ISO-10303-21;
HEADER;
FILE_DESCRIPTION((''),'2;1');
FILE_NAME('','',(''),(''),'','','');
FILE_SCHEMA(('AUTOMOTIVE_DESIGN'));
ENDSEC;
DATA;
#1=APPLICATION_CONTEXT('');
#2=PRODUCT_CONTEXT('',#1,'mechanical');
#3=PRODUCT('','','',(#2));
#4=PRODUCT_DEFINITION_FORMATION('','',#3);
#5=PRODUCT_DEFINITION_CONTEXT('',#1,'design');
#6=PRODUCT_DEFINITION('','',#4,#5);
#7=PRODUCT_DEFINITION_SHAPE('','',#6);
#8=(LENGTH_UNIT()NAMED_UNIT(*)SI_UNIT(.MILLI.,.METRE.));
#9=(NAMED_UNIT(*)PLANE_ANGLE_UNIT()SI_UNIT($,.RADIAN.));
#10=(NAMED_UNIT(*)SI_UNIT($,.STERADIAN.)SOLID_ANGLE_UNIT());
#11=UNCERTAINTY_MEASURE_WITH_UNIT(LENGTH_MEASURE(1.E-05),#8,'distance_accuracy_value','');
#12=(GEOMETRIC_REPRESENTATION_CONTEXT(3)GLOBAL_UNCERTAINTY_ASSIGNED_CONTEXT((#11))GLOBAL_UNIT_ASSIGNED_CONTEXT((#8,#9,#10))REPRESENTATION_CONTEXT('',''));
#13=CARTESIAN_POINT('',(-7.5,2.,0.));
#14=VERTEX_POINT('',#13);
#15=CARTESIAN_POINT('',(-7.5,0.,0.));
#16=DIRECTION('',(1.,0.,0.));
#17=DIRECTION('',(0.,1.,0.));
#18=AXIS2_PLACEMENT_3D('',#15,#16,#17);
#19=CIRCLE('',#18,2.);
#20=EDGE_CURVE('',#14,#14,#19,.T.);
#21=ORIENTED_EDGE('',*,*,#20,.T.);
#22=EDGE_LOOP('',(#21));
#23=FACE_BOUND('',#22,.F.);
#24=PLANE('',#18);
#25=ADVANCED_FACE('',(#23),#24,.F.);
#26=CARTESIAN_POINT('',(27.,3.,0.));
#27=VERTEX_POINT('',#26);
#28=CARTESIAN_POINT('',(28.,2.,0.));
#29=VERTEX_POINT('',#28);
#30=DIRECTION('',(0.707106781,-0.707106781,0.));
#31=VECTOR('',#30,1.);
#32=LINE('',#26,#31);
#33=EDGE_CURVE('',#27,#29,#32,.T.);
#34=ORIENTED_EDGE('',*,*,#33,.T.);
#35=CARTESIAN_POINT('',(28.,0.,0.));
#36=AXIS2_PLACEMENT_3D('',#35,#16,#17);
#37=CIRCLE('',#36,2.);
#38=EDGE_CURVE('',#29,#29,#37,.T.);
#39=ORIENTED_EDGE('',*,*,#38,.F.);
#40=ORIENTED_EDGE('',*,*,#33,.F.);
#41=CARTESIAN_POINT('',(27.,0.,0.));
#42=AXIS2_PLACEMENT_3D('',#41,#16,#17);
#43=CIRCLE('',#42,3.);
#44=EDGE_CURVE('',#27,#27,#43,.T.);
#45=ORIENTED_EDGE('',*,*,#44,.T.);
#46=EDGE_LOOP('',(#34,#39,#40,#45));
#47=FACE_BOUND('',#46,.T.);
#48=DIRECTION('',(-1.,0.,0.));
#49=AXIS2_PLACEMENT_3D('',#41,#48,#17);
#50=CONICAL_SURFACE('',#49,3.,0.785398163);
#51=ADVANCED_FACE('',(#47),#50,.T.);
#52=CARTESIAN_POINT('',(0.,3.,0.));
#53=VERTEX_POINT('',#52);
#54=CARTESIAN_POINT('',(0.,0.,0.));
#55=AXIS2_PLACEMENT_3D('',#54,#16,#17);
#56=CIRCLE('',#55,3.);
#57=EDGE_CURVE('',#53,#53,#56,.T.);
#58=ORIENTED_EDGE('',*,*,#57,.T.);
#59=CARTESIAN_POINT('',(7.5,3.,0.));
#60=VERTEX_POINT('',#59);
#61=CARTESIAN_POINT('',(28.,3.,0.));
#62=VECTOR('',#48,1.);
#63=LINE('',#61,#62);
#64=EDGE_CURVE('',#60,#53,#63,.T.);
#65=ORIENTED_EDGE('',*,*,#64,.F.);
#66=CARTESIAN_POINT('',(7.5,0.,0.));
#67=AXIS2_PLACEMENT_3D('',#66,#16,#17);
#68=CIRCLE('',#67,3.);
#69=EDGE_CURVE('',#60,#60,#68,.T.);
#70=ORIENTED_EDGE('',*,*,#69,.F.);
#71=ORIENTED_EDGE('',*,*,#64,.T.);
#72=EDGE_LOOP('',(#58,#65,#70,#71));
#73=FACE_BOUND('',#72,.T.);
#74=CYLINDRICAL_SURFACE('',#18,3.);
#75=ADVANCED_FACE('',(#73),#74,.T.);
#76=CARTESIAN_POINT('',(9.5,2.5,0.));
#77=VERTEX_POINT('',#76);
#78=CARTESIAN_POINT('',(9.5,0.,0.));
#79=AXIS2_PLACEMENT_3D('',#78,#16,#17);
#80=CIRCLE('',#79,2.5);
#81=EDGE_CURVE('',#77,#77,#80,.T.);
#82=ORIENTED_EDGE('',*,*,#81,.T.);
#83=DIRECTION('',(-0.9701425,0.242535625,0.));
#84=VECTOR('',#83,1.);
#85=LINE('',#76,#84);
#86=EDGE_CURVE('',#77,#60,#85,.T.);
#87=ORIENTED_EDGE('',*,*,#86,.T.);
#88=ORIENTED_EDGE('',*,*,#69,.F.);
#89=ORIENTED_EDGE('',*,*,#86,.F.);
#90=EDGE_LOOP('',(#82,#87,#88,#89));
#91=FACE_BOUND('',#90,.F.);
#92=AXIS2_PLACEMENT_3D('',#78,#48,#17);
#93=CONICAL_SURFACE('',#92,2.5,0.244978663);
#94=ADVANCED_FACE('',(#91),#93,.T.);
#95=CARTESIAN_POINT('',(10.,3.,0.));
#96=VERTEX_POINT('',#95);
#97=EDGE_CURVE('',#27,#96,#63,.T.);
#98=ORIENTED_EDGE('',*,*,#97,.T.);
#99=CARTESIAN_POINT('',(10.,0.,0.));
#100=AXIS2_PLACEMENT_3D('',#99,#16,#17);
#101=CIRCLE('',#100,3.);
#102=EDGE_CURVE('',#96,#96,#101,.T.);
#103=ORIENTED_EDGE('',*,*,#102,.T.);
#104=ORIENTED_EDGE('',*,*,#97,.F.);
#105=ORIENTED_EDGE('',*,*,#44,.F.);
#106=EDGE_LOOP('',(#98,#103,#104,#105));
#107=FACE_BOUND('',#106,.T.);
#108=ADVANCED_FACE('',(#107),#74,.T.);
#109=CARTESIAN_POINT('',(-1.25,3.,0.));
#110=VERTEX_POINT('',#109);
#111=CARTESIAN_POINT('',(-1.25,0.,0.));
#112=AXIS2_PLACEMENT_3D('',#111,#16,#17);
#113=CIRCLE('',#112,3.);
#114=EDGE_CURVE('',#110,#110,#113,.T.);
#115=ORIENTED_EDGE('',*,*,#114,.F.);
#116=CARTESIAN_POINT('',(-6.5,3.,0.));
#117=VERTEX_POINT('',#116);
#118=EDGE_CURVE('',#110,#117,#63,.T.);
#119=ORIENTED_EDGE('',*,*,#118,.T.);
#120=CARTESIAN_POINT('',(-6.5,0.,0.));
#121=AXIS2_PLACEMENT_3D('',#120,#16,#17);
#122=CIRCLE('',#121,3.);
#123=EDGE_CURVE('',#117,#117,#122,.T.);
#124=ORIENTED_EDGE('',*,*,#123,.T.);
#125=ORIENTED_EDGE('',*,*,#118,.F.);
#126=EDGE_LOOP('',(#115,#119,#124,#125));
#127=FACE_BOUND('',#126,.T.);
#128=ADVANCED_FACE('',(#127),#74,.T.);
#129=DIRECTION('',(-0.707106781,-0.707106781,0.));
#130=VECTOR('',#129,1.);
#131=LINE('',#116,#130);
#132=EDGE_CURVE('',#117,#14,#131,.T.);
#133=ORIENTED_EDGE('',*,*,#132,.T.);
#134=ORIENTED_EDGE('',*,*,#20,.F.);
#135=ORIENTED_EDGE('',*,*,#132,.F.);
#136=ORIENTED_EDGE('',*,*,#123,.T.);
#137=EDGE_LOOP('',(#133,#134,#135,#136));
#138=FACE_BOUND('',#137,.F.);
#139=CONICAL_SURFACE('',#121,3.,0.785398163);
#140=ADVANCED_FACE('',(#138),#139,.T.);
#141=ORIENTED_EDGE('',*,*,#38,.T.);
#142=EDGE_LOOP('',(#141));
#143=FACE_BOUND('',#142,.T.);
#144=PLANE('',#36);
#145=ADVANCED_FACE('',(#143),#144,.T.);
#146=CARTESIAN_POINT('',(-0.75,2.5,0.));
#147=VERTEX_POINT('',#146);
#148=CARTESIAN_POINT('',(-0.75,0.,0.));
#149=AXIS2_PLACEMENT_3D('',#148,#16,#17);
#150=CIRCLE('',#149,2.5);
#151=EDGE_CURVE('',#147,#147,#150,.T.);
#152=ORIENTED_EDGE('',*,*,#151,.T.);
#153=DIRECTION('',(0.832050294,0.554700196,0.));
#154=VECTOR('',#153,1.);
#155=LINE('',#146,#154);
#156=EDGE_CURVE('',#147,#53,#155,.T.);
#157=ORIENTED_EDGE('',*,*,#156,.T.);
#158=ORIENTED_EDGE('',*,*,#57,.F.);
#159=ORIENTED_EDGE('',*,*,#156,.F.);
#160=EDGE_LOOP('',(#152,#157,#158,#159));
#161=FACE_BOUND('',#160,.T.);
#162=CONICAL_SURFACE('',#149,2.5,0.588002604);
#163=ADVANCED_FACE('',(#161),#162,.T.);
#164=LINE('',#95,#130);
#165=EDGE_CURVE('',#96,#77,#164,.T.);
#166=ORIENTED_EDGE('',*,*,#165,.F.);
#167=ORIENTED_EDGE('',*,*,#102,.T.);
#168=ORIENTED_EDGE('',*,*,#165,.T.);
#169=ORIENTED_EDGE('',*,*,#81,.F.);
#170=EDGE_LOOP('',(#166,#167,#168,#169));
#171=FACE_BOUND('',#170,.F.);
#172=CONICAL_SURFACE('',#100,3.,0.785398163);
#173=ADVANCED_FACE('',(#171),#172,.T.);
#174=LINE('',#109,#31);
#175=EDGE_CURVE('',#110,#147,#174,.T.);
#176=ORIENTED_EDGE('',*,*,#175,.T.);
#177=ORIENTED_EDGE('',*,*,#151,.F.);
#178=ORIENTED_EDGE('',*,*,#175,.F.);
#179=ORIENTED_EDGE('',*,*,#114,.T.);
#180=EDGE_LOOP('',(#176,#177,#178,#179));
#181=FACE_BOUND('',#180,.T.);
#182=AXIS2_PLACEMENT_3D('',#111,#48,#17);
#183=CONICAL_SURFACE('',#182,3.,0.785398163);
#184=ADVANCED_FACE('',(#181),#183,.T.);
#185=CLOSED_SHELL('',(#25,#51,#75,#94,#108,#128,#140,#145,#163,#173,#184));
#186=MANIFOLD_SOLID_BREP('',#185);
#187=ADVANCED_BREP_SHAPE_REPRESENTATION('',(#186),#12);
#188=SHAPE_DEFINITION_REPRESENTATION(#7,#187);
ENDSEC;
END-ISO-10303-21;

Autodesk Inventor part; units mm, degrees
ref_plane "YZ Plane" through (0, 0, 0) normal (1, 0, 0) x (0, 1, 0)
ref_plane "XZ Plane" through (0, 0, 0) normal (0, 1, 0) x (-1, 0, 0)
sketch "Szkic1" plane through (0, 0, 0) normal (0, 0, 1) x (1, 0, 0)
  line L0 (28, 3) -> (28, 0)
  line L1 (-7.5, 0) -> (28, 0)
  line L2 (-14.6, 0) -> (35.1, 0) projected
  line L3 (0, 3.6) -> (0, -0.6) projected
  line L4 (-7.5, 3) -> (-7.5, 0)
  line L5 (10, 3) -> (10, 0) construction
  line L6 (-14.6, 0) -> (35.1, 0) projected
  line L7 (-7.5, 3) -> (28, 3)
  dimension "d4" = 7.5
  dimension "d5" = 28
  dimension "d6" = 18
  dimension "d13" = 6
revolve "Bryła" add sketch "Szkic1" angle 360 about axis through (-7.5, 0, 0) along (1, 0, 0)
thread "Gwint1" size "M6x1" class "6g" standard "ISO Metric profile" length 7.5
thread "Gwint2" size "M6x1" class "6g" standard "ISO Metric profile" length 18
chamfer "Faza1" distance 1 angle 45 1 edges at (-7.5, -3, 0) measured on face at (16.1667, 2.9903, -0.2414)
chamfer "Faza2" distance 1 angle 45 1 edges at (28, -3, 0) measured on face at (16.5, 2.9903, -0.2414)
sketch "Sketch5" plane through (0, 0, 0) normal (0, 0, 1) x (1, 0, 0)
  line L0 (-6.5, 3) -> (27, 3) projected
  line L1 (-6.5, -3) -> (27, -3) projected
  line L2 (28, 2) -> (28, -2) projected
  line L3 (-7.5, -2) -> (-7.5, 2) projected
  line L4 (10, 3) -> (9.5, 2.5)
  line L5 (9.5, 2.5) -> (7.5, 3)
  line L6 (-14.6, 0) -> (35.1, 0) projected
  point P0 (0, 0)
  dimension "d87" = 45
  dimension "d90" = 18
  dimension "d91" = 0.5
  dimension "d92" = 2.5
revolve "IDS_REVOLUTION{1}" cut sketch "Sketch5" angle 360 about axis through (-10, 0, 0) along (1, 0, 0)
sketch "Sketch6" plane through (0, 0, 0) normal (0, 0, 1) x (1, 0, 0)
  line L0 (-6.5, 3) -> (7.5, 3) projected
  line L1 (-7.5, -2) -> (-7.5, 2) projected
  line L2 (-1.25, 3) -> (-0.75, 2.5)
  line L3 (-0.75, 2.5) -> (0, 3)
  line L4 (-10.5, 0) -> (10.5, 0) projected
  point P0 (0, 0)
  dimension "d94" = 45
  dimension "d95" = 7.5
  dimension "d96" = 0.5
  dimension "d97" = 1.25
revolve "IDS_REVOLUTION{2}" cut sketch "Sketch6" angle 360 about axis through (-10, 0, 0) along (1, 0, 0)
ref_plane "Work Plane1" through (2.75, 0, 0) normal (0, -1, 0) x (1, 0, 0)
equation "\"d4\" = KOH"
equation "\"d5\" = NLG"
equation "\"d6\" = GEL"
equation "\"d13\" = GD"
equation "\"d1\" = KOH"
equation "\"d7\" = GEL"
equation "\"d9\" = -0.5 * SPD + 0.5 * GD"
equation "\"d10\" = -0.5 * SPD + 0.5 * GD"
equation "\"d11\" = -0.5 * SPD + 0.5 * GD"
equation "\"d12\" = -0.5 * SPD + 0.5 * GD"
equation "\"d90\" = GEL"
equation "\"d91\" = -0.25 * SPD + 0.25 * GD"
equation "\"d92\" = X1"
equation "\"d95\" = KOH"
equation "\"d96\" = -0.25 * SPD + 0.25 * GD"
equation "\"d97\" = X2"
equation "\"NLG\" = 28"
equation "\"GEL\" = 18"
equation "\"GAL\" = 0.61345 * PTC"
equation "\"SPD\" = 4"
equation "\"d0\" = GD"
equation "\"GUL\" = 0.61345 * PTC"
equation "\"KOH\" = 7.5"
equation "\"GD\" = 6"
equation "\"BDM\" = NND"
equation "\"GUL1\" = GUL"
equation "\"GAL1\" = GAL"
equation "\"d80\" = -GUL - GEL"
equation "\"d86\" = -KOH + GUL1"
equation "\"X1\" = 2.5"
equation "\"X2\" = 1.25"
equation "\"PTC\" = 1"
equation "\"THREADDIA\" = 6"
equation "\"TOA\" = 30deg"
equation "\"NND\" = 6"
equation "\"GD1\" = THREADDIA - 1.2269 * PTC"
properties part number "DIN 939 - M6 x 28" material "Stal, miękka"
